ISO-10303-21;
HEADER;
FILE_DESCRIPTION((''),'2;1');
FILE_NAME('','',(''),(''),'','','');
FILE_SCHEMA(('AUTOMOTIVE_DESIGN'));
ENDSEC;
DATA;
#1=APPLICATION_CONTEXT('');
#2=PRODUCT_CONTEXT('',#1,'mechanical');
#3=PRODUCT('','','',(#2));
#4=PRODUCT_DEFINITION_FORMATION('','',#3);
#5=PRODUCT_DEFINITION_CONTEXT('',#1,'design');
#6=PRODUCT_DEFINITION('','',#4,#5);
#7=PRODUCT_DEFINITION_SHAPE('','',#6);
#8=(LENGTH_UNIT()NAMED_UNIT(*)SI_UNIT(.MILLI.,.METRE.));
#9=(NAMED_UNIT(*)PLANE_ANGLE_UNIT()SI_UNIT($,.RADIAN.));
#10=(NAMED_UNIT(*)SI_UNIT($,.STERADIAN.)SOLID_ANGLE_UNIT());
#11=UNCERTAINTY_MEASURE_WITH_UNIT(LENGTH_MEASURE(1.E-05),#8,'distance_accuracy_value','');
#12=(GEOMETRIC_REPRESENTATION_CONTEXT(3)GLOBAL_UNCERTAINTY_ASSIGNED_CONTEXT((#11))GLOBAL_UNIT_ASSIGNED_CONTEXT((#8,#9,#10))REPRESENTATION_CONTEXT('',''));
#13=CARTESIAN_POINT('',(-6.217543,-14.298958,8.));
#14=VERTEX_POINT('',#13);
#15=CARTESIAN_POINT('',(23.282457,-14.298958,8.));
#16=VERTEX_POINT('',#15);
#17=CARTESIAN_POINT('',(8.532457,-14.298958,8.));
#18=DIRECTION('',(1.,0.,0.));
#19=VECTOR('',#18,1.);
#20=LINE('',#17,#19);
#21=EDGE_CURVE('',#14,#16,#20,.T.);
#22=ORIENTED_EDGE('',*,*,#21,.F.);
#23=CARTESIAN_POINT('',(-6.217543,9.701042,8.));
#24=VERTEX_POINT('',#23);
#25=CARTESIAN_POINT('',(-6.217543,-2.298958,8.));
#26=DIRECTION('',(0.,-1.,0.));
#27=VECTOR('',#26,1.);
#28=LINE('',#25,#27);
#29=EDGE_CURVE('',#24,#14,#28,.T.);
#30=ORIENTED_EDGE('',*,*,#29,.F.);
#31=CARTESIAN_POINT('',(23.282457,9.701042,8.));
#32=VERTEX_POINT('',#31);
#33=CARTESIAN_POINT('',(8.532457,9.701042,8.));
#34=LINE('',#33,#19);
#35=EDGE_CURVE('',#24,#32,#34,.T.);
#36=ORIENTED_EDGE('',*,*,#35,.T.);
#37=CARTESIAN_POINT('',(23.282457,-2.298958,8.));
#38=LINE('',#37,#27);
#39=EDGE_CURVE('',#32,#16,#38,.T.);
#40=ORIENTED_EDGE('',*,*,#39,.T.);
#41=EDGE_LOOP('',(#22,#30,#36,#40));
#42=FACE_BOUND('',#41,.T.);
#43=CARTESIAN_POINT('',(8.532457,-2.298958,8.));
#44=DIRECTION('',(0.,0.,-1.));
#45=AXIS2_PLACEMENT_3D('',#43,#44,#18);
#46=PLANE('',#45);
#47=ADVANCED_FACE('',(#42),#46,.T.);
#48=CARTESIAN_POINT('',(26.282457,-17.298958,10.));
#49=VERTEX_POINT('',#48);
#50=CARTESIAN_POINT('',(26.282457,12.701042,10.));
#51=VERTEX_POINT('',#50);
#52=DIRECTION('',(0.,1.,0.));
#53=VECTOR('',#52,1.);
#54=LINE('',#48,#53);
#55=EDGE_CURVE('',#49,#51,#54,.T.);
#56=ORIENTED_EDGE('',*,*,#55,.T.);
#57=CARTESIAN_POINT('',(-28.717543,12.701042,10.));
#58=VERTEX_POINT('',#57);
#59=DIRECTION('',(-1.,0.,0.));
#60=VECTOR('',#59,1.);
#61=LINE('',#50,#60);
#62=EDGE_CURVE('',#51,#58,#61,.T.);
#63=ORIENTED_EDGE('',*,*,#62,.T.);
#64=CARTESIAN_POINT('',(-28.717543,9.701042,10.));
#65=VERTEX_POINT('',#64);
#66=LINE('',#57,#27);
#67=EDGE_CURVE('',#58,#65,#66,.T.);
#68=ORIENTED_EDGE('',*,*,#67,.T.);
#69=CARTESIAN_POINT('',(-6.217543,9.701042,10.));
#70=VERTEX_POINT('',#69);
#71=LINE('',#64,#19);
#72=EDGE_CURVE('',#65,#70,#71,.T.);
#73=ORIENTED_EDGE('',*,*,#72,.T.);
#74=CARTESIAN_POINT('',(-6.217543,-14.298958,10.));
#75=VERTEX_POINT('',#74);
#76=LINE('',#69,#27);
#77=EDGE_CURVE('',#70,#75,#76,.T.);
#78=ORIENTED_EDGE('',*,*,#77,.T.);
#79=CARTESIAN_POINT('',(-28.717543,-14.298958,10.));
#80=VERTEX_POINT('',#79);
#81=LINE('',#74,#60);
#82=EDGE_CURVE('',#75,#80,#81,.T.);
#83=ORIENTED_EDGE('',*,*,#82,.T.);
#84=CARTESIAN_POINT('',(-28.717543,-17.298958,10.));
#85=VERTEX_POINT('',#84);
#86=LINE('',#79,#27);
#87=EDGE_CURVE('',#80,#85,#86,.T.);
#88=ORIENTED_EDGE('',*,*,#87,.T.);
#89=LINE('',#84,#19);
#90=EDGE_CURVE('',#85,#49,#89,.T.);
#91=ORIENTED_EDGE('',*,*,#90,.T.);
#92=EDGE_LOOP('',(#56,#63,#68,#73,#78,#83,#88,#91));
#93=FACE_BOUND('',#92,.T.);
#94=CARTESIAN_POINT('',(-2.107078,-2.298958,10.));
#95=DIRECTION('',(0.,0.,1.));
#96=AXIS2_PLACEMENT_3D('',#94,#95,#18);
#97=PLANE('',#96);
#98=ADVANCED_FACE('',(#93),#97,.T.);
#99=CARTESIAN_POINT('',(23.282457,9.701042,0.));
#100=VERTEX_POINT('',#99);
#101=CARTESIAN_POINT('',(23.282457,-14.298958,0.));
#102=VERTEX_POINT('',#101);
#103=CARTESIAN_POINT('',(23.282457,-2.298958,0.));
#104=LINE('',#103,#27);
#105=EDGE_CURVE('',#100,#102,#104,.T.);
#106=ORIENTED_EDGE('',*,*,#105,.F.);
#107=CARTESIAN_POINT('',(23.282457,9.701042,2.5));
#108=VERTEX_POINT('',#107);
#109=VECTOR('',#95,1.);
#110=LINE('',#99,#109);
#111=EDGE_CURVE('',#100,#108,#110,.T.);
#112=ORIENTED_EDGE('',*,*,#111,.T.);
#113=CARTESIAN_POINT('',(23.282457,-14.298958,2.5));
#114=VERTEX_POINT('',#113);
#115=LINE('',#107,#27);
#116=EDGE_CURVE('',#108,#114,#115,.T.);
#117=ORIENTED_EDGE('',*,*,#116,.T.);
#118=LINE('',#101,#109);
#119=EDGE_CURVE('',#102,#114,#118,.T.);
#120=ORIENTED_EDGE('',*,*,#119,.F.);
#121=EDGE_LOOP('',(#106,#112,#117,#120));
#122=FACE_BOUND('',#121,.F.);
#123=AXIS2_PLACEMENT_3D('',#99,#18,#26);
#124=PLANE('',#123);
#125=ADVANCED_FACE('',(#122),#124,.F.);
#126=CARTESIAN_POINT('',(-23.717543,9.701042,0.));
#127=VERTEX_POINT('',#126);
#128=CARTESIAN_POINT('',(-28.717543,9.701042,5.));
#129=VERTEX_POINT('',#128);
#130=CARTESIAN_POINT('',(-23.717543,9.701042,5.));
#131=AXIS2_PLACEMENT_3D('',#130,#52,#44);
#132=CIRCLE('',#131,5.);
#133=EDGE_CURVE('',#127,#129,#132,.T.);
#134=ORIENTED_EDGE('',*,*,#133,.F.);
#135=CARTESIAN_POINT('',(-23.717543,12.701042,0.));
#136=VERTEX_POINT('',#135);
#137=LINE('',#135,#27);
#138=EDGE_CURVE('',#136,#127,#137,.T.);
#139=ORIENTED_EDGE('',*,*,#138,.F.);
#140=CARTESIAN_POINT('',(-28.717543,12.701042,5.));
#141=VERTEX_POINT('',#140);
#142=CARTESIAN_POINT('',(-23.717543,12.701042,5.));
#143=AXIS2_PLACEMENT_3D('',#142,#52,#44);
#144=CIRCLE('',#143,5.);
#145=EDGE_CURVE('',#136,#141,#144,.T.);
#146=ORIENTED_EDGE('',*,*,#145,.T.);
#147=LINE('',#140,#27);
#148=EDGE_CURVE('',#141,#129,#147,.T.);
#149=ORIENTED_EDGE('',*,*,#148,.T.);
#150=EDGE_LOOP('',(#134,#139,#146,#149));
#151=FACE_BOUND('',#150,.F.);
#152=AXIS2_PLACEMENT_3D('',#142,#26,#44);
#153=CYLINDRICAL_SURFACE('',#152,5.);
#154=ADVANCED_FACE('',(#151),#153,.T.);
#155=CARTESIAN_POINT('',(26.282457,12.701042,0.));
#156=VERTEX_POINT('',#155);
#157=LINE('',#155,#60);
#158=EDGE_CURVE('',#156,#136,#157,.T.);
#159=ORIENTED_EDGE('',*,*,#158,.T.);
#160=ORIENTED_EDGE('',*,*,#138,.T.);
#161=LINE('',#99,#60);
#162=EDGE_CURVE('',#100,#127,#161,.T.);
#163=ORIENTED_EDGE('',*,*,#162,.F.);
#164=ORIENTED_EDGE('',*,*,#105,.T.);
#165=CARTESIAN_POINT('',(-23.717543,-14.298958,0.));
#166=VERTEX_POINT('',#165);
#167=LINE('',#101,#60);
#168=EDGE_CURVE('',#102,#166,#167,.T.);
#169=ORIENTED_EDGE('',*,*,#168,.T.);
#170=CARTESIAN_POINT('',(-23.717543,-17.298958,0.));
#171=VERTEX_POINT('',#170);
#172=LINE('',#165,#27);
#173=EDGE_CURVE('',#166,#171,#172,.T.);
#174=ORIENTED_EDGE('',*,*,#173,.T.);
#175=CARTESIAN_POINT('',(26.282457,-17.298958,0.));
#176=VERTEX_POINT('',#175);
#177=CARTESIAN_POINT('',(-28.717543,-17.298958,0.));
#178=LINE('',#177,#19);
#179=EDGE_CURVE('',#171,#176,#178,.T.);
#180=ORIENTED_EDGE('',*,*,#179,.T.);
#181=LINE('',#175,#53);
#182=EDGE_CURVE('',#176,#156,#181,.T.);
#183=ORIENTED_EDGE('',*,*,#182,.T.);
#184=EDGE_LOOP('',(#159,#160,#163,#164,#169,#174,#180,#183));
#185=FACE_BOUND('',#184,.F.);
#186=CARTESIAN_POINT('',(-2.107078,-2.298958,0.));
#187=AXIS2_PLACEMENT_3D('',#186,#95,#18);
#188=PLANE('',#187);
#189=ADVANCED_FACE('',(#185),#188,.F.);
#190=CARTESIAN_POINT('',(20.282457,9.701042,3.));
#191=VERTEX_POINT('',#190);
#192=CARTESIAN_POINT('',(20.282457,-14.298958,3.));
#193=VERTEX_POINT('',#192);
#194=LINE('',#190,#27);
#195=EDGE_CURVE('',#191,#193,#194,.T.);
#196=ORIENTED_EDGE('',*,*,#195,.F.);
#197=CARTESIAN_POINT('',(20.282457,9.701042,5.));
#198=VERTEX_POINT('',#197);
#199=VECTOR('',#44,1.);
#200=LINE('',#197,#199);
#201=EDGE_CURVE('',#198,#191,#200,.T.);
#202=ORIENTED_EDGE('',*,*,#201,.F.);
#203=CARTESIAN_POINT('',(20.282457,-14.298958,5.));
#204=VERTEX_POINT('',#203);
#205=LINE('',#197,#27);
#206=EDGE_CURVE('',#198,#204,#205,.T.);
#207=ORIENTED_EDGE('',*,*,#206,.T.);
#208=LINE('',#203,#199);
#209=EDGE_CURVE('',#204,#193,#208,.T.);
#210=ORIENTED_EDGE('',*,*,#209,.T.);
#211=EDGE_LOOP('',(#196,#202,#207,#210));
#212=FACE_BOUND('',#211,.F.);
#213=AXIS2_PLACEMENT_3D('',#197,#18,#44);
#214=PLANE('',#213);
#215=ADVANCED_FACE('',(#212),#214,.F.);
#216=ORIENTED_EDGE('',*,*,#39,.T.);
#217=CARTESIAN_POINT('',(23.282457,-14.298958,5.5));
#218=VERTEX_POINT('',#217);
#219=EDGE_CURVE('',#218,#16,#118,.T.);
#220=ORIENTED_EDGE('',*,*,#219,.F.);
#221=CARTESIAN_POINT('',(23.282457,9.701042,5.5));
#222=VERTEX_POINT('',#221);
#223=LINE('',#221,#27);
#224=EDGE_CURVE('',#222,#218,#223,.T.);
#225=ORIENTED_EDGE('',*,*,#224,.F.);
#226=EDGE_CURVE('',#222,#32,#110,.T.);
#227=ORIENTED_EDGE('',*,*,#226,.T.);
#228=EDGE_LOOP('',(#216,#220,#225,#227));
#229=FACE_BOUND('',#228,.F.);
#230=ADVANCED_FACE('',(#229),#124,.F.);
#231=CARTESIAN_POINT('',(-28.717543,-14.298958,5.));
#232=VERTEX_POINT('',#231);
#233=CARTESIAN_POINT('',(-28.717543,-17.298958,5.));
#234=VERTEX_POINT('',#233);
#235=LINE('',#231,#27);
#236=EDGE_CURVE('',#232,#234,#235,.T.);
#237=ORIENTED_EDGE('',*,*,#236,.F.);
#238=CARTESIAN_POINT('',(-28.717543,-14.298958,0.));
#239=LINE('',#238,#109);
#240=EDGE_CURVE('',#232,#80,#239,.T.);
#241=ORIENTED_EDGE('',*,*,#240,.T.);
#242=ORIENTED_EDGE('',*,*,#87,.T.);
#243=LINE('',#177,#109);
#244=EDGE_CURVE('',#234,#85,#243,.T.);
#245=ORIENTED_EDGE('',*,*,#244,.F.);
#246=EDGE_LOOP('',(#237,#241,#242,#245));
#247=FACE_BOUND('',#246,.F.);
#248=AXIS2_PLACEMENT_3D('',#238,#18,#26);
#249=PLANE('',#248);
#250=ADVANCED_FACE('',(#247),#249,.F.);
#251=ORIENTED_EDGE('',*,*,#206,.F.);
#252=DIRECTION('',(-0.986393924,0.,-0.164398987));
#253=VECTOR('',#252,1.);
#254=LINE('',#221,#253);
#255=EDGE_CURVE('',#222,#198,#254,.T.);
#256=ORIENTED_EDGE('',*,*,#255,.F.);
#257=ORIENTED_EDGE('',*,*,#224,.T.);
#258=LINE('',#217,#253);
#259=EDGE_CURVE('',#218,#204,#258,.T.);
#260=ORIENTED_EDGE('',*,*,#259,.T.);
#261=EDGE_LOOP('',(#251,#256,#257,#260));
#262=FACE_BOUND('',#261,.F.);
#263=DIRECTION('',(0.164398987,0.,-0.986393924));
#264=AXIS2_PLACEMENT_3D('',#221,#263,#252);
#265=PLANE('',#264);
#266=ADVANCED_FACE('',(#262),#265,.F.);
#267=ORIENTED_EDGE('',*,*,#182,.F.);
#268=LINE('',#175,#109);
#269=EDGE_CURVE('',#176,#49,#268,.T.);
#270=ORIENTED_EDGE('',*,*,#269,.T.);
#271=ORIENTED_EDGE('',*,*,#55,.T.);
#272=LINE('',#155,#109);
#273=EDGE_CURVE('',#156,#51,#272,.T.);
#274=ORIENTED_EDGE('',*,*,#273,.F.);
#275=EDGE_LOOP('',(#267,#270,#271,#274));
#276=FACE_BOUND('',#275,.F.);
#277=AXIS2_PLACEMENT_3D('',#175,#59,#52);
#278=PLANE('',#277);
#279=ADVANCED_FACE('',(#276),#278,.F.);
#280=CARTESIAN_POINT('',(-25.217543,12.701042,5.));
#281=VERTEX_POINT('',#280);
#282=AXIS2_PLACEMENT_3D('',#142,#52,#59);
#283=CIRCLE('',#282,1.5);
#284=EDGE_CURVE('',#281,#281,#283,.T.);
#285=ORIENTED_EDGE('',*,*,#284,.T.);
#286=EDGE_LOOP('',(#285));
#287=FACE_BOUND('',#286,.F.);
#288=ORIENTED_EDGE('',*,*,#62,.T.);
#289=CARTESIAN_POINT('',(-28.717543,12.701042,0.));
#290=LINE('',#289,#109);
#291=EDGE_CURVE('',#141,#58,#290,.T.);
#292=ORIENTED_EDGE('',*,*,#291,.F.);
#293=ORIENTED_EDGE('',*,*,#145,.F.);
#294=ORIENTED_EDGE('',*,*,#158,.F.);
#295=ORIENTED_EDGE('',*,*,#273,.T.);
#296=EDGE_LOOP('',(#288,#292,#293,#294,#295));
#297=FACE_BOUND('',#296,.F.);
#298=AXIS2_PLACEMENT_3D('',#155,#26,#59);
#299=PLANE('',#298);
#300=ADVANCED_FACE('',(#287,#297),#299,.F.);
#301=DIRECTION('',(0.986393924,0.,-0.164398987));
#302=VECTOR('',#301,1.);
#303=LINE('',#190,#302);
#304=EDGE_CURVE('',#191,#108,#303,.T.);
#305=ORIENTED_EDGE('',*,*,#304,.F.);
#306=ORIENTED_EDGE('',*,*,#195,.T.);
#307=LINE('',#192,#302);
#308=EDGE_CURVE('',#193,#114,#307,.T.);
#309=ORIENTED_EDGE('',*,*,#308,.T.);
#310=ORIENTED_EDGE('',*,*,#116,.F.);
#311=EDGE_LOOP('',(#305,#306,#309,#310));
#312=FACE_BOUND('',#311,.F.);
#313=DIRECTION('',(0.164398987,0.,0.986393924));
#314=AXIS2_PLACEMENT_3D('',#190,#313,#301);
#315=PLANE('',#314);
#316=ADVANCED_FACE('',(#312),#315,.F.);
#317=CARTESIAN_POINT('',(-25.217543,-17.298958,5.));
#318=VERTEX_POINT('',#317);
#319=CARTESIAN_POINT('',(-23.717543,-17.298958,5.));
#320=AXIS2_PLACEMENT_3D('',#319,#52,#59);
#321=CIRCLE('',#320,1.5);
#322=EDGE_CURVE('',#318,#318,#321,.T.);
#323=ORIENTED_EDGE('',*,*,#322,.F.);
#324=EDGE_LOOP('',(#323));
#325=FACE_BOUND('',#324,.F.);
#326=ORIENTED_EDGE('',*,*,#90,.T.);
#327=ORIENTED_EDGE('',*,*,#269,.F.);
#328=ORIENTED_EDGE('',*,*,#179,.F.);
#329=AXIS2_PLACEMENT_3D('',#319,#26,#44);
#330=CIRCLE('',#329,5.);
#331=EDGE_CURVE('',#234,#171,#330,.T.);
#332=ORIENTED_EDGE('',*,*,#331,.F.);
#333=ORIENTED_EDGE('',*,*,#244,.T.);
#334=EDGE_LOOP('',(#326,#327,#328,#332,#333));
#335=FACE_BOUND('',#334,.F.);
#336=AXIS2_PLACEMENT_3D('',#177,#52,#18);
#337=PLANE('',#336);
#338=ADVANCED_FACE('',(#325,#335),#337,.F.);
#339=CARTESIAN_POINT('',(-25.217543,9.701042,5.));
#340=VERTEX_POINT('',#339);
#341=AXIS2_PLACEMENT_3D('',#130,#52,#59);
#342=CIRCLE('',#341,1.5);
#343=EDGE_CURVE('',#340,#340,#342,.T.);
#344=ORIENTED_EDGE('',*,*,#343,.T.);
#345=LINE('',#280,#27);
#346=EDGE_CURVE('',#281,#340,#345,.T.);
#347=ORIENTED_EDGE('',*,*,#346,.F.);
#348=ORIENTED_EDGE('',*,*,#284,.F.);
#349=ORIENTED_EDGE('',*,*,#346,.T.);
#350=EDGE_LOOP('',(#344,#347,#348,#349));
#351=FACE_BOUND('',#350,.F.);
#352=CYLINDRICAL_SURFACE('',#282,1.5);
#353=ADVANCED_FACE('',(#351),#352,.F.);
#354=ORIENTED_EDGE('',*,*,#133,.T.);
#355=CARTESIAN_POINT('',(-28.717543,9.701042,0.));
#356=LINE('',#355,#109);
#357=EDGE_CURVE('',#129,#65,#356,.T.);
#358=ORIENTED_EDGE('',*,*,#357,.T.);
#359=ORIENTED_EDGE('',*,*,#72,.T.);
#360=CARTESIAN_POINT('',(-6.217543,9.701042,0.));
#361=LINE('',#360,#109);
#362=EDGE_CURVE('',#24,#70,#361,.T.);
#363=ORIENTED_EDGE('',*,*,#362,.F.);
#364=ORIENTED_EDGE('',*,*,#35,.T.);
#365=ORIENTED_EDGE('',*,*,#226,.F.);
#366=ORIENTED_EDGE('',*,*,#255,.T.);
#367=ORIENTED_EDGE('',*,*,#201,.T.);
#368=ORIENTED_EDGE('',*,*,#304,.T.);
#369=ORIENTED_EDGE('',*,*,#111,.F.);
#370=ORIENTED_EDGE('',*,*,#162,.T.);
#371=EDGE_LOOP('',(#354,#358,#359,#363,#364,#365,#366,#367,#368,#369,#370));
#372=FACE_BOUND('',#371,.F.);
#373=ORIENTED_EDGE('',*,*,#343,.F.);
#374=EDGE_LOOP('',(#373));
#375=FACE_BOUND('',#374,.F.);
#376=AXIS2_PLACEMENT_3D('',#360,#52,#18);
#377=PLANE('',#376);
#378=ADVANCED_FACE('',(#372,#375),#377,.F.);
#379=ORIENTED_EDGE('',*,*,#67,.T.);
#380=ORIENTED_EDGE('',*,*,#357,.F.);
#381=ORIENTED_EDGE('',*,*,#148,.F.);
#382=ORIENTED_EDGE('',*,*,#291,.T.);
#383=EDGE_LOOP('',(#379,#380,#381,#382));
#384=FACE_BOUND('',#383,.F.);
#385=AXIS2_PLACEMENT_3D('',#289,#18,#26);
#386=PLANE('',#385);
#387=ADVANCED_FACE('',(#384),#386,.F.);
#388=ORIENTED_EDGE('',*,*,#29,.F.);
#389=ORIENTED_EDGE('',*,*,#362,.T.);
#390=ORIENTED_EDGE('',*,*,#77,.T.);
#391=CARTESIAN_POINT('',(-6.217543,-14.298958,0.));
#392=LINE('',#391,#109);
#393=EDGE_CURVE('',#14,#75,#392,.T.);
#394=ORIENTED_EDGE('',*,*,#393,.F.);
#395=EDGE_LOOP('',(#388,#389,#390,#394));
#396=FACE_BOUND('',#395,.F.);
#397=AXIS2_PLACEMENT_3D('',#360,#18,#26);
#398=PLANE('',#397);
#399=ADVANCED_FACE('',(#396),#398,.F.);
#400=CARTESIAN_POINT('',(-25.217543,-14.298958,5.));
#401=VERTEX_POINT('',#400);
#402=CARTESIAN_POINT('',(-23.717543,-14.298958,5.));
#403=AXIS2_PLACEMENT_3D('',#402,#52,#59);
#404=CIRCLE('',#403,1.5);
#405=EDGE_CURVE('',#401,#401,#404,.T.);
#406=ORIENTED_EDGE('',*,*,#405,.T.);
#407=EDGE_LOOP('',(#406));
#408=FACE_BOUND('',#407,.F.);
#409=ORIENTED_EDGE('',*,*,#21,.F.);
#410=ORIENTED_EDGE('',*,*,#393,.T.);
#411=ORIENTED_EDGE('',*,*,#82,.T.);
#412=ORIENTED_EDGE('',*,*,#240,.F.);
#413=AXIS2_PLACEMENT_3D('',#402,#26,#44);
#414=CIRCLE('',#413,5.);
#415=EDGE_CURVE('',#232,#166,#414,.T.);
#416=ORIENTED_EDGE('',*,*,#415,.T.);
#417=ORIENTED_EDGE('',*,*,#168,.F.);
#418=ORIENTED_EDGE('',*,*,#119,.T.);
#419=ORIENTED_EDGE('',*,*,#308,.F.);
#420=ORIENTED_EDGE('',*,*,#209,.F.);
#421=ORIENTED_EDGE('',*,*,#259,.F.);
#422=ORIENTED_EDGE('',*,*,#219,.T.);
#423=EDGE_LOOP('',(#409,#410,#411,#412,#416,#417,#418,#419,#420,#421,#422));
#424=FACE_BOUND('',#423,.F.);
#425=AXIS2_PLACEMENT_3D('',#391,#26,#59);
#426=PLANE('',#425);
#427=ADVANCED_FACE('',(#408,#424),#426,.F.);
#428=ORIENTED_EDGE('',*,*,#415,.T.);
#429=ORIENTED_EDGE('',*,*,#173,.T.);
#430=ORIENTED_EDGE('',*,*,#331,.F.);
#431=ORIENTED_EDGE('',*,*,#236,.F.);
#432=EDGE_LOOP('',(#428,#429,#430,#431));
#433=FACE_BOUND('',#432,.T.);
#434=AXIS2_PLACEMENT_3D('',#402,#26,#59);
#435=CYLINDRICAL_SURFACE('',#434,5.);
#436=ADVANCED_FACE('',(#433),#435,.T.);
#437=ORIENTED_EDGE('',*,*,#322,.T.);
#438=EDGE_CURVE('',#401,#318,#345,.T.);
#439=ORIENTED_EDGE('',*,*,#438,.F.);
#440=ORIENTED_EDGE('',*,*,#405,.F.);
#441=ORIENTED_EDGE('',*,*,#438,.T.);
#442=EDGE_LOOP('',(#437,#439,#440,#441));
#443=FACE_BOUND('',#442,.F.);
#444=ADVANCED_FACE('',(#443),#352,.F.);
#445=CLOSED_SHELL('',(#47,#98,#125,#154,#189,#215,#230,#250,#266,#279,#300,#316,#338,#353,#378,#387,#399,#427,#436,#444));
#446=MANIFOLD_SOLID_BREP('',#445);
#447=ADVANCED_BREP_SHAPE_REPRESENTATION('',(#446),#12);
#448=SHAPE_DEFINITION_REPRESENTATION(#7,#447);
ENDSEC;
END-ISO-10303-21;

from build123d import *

# Parameters (mm, degrees)
F1_DEPTH = 10
F2_W     = 29.5
F2_H     = 24
F3_DEPTH = 8
F5_DEPTH = 24
F6_R     = 1.5
F7_DEPTH = 30
F8_R     = 5


with BuildPart() as f1:
    # F0 (on Top) → F1 (new body)
    with BuildSketch(Plane.XY):
        Polygon((-28.717543, -14.298958), (-28.717543, -17.298958), (26.282457, -17.298958), (26.282457, 12.701042), (-28.717543, 12.701042), (-28.717543, 9.701042), (-6.217543, 9.701042), (-6.217543, -14.298958), align=None)
    extrude(amount=F1_DEPTH)

    # F2 (on face) → F3 (cut)
    with BuildSketch(Plane(origin=(0, 0, 0), x_dir=(1, 0, 0), z_dir=(0, 0, -1))):
        with Locations((8.532457, 2.298958)):
            Rectangle(F2_W, F2_H)
    extrude(amount=-F3_DEPTH, mode=Mode.SUBTRACT)

    # F4 (on face) → F5 (join)
    with BuildSketch(Plane.XZ.offset(-9.701042)):
        Polygon((23.282457, 2.5), (23.282457, 5.5), (20.282457, 5), (20.282457, 3), align=None)
    extrude(amount=F5_DEPTH)

    # F6 (on face) → F7 (cut)
    with BuildSketch(Plane(origin=(0, 12.701042, 0), x_dir=(-1, 0, 0), z_dir=(0, 1, 0))):
        with Locations((23.717543, 5)):
            Circle(F6_R)
    extrude(amount=-F7_DEPTH, mode=Mode.SUBTRACT)

    # F8
    f8_edges = [f1.edges().sort_by_distance(p)[0] for p in [
        (-28.717543, 11.201042, 0),
        (-28.717543, -15.798958, 0),
    ]]
    fillet(f8_edges, radius=F8_R)


solid = f1.part
